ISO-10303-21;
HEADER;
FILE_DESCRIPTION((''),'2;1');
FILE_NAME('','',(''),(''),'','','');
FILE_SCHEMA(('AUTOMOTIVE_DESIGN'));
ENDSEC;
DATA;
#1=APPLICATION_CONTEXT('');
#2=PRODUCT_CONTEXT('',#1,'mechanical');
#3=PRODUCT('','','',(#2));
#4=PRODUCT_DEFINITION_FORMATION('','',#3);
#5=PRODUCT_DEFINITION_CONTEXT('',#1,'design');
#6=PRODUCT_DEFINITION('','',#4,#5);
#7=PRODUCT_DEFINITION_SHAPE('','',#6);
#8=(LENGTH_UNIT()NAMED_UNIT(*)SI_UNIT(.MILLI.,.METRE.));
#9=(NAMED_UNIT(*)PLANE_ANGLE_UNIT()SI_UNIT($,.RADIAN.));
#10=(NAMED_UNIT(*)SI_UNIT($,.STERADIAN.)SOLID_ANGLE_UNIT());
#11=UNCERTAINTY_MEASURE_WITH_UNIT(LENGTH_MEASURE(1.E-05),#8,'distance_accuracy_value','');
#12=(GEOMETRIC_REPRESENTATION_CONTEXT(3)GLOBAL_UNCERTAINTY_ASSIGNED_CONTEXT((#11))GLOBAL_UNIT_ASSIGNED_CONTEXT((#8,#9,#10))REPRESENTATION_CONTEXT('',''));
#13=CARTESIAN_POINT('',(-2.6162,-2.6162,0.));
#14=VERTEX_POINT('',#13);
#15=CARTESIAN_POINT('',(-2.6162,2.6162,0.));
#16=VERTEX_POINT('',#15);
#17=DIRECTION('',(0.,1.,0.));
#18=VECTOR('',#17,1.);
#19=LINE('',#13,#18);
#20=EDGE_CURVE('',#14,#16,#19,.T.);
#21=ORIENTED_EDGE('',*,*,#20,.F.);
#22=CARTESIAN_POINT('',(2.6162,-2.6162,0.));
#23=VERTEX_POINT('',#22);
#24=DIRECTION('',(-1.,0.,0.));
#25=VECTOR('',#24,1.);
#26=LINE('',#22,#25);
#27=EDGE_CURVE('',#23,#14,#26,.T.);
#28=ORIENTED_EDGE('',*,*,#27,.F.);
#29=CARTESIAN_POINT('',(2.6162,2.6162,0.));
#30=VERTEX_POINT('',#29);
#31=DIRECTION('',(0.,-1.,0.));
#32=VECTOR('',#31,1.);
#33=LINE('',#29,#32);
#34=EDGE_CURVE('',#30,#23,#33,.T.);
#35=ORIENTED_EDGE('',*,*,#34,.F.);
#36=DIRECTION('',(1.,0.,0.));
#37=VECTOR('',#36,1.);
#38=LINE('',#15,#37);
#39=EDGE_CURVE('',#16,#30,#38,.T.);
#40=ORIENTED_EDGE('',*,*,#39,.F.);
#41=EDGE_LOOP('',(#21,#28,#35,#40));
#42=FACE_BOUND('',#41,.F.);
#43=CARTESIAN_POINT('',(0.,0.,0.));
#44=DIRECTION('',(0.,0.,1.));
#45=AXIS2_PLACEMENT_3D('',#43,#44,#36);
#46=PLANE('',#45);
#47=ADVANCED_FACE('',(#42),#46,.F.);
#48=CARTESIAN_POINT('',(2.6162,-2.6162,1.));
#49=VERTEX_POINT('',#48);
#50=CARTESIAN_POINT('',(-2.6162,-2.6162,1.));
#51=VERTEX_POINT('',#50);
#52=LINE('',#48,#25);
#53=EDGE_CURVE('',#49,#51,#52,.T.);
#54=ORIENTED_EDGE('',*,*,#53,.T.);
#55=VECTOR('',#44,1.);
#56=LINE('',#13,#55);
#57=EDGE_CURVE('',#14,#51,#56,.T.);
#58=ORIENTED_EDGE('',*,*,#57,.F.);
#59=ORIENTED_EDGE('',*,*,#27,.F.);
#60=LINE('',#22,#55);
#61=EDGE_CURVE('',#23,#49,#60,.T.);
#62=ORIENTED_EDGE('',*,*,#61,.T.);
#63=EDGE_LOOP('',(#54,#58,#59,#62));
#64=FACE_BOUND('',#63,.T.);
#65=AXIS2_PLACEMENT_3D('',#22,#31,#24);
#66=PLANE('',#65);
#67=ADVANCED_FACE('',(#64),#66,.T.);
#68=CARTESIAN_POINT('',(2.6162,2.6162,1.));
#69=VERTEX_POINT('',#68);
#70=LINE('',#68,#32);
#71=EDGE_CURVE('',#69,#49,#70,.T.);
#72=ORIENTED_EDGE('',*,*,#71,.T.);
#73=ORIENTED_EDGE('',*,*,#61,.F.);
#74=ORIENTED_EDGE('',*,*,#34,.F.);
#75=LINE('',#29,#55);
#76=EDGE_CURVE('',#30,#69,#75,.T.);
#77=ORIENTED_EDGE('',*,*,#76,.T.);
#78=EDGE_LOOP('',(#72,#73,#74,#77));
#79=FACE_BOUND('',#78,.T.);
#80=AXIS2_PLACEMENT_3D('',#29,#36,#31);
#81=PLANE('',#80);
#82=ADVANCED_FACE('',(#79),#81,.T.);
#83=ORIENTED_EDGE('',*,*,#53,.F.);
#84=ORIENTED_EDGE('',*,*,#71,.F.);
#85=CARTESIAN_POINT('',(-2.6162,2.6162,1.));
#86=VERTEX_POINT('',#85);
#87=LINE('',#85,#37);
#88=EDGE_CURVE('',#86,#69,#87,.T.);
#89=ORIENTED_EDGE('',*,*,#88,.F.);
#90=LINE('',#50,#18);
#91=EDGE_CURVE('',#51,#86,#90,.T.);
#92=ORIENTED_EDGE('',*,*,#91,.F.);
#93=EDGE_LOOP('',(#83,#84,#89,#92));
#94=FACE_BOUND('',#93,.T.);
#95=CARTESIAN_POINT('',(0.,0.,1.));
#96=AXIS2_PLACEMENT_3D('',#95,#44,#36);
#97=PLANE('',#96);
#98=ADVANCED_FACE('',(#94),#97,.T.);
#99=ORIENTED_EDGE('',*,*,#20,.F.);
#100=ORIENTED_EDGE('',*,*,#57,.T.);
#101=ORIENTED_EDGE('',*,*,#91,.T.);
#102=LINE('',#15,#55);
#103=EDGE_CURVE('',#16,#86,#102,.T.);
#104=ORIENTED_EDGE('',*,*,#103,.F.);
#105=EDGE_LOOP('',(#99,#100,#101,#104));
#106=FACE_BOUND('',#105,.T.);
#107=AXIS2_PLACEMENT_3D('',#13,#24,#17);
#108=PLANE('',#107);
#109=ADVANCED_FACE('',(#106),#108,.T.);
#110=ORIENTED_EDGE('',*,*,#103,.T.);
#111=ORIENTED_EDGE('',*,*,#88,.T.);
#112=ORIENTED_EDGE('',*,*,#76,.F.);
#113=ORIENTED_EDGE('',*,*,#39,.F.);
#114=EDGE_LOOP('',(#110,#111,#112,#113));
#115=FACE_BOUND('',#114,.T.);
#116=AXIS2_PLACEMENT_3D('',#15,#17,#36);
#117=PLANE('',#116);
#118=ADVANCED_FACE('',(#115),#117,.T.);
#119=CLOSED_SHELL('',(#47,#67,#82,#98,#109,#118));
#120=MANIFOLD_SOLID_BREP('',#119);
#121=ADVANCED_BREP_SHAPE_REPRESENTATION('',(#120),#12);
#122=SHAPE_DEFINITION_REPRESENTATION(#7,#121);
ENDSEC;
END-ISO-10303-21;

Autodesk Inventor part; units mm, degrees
ref_plane "YZ Plane" through (0, 0, 0) normal (1, 0, 0) x (0, 1, 0)
ref_plane "XZ Plane" through (0, 0, 0) normal (0, 1, 0) x (-1, 0, 0)
ref_plane "XY Plane" through (0, 0, 0) normal (0, 0, 1) x (1, 0, 0)
sketch "E2_5-5, E2_5-5_3" plane through (0, 0, 0) normal (0, 0, 1) x (1, 0, 0)
  line L0 (-2.6162, 2.6162) -> (2.6162, 2.6162)
  line L1 (2.6162, 2.6162) -> (2.6162, -2.6162)
  line L2 (2.6162, -2.6162) -> (-2.6162, -2.6162)
  line L3 (-2.6162, -2.6162) -> (-2.6162, 2.6162)
extrude "Extrusion1" add sketch "E2_5-5, E2_5-5_3" along normal blind 1
properties part number "E2_5-5"
